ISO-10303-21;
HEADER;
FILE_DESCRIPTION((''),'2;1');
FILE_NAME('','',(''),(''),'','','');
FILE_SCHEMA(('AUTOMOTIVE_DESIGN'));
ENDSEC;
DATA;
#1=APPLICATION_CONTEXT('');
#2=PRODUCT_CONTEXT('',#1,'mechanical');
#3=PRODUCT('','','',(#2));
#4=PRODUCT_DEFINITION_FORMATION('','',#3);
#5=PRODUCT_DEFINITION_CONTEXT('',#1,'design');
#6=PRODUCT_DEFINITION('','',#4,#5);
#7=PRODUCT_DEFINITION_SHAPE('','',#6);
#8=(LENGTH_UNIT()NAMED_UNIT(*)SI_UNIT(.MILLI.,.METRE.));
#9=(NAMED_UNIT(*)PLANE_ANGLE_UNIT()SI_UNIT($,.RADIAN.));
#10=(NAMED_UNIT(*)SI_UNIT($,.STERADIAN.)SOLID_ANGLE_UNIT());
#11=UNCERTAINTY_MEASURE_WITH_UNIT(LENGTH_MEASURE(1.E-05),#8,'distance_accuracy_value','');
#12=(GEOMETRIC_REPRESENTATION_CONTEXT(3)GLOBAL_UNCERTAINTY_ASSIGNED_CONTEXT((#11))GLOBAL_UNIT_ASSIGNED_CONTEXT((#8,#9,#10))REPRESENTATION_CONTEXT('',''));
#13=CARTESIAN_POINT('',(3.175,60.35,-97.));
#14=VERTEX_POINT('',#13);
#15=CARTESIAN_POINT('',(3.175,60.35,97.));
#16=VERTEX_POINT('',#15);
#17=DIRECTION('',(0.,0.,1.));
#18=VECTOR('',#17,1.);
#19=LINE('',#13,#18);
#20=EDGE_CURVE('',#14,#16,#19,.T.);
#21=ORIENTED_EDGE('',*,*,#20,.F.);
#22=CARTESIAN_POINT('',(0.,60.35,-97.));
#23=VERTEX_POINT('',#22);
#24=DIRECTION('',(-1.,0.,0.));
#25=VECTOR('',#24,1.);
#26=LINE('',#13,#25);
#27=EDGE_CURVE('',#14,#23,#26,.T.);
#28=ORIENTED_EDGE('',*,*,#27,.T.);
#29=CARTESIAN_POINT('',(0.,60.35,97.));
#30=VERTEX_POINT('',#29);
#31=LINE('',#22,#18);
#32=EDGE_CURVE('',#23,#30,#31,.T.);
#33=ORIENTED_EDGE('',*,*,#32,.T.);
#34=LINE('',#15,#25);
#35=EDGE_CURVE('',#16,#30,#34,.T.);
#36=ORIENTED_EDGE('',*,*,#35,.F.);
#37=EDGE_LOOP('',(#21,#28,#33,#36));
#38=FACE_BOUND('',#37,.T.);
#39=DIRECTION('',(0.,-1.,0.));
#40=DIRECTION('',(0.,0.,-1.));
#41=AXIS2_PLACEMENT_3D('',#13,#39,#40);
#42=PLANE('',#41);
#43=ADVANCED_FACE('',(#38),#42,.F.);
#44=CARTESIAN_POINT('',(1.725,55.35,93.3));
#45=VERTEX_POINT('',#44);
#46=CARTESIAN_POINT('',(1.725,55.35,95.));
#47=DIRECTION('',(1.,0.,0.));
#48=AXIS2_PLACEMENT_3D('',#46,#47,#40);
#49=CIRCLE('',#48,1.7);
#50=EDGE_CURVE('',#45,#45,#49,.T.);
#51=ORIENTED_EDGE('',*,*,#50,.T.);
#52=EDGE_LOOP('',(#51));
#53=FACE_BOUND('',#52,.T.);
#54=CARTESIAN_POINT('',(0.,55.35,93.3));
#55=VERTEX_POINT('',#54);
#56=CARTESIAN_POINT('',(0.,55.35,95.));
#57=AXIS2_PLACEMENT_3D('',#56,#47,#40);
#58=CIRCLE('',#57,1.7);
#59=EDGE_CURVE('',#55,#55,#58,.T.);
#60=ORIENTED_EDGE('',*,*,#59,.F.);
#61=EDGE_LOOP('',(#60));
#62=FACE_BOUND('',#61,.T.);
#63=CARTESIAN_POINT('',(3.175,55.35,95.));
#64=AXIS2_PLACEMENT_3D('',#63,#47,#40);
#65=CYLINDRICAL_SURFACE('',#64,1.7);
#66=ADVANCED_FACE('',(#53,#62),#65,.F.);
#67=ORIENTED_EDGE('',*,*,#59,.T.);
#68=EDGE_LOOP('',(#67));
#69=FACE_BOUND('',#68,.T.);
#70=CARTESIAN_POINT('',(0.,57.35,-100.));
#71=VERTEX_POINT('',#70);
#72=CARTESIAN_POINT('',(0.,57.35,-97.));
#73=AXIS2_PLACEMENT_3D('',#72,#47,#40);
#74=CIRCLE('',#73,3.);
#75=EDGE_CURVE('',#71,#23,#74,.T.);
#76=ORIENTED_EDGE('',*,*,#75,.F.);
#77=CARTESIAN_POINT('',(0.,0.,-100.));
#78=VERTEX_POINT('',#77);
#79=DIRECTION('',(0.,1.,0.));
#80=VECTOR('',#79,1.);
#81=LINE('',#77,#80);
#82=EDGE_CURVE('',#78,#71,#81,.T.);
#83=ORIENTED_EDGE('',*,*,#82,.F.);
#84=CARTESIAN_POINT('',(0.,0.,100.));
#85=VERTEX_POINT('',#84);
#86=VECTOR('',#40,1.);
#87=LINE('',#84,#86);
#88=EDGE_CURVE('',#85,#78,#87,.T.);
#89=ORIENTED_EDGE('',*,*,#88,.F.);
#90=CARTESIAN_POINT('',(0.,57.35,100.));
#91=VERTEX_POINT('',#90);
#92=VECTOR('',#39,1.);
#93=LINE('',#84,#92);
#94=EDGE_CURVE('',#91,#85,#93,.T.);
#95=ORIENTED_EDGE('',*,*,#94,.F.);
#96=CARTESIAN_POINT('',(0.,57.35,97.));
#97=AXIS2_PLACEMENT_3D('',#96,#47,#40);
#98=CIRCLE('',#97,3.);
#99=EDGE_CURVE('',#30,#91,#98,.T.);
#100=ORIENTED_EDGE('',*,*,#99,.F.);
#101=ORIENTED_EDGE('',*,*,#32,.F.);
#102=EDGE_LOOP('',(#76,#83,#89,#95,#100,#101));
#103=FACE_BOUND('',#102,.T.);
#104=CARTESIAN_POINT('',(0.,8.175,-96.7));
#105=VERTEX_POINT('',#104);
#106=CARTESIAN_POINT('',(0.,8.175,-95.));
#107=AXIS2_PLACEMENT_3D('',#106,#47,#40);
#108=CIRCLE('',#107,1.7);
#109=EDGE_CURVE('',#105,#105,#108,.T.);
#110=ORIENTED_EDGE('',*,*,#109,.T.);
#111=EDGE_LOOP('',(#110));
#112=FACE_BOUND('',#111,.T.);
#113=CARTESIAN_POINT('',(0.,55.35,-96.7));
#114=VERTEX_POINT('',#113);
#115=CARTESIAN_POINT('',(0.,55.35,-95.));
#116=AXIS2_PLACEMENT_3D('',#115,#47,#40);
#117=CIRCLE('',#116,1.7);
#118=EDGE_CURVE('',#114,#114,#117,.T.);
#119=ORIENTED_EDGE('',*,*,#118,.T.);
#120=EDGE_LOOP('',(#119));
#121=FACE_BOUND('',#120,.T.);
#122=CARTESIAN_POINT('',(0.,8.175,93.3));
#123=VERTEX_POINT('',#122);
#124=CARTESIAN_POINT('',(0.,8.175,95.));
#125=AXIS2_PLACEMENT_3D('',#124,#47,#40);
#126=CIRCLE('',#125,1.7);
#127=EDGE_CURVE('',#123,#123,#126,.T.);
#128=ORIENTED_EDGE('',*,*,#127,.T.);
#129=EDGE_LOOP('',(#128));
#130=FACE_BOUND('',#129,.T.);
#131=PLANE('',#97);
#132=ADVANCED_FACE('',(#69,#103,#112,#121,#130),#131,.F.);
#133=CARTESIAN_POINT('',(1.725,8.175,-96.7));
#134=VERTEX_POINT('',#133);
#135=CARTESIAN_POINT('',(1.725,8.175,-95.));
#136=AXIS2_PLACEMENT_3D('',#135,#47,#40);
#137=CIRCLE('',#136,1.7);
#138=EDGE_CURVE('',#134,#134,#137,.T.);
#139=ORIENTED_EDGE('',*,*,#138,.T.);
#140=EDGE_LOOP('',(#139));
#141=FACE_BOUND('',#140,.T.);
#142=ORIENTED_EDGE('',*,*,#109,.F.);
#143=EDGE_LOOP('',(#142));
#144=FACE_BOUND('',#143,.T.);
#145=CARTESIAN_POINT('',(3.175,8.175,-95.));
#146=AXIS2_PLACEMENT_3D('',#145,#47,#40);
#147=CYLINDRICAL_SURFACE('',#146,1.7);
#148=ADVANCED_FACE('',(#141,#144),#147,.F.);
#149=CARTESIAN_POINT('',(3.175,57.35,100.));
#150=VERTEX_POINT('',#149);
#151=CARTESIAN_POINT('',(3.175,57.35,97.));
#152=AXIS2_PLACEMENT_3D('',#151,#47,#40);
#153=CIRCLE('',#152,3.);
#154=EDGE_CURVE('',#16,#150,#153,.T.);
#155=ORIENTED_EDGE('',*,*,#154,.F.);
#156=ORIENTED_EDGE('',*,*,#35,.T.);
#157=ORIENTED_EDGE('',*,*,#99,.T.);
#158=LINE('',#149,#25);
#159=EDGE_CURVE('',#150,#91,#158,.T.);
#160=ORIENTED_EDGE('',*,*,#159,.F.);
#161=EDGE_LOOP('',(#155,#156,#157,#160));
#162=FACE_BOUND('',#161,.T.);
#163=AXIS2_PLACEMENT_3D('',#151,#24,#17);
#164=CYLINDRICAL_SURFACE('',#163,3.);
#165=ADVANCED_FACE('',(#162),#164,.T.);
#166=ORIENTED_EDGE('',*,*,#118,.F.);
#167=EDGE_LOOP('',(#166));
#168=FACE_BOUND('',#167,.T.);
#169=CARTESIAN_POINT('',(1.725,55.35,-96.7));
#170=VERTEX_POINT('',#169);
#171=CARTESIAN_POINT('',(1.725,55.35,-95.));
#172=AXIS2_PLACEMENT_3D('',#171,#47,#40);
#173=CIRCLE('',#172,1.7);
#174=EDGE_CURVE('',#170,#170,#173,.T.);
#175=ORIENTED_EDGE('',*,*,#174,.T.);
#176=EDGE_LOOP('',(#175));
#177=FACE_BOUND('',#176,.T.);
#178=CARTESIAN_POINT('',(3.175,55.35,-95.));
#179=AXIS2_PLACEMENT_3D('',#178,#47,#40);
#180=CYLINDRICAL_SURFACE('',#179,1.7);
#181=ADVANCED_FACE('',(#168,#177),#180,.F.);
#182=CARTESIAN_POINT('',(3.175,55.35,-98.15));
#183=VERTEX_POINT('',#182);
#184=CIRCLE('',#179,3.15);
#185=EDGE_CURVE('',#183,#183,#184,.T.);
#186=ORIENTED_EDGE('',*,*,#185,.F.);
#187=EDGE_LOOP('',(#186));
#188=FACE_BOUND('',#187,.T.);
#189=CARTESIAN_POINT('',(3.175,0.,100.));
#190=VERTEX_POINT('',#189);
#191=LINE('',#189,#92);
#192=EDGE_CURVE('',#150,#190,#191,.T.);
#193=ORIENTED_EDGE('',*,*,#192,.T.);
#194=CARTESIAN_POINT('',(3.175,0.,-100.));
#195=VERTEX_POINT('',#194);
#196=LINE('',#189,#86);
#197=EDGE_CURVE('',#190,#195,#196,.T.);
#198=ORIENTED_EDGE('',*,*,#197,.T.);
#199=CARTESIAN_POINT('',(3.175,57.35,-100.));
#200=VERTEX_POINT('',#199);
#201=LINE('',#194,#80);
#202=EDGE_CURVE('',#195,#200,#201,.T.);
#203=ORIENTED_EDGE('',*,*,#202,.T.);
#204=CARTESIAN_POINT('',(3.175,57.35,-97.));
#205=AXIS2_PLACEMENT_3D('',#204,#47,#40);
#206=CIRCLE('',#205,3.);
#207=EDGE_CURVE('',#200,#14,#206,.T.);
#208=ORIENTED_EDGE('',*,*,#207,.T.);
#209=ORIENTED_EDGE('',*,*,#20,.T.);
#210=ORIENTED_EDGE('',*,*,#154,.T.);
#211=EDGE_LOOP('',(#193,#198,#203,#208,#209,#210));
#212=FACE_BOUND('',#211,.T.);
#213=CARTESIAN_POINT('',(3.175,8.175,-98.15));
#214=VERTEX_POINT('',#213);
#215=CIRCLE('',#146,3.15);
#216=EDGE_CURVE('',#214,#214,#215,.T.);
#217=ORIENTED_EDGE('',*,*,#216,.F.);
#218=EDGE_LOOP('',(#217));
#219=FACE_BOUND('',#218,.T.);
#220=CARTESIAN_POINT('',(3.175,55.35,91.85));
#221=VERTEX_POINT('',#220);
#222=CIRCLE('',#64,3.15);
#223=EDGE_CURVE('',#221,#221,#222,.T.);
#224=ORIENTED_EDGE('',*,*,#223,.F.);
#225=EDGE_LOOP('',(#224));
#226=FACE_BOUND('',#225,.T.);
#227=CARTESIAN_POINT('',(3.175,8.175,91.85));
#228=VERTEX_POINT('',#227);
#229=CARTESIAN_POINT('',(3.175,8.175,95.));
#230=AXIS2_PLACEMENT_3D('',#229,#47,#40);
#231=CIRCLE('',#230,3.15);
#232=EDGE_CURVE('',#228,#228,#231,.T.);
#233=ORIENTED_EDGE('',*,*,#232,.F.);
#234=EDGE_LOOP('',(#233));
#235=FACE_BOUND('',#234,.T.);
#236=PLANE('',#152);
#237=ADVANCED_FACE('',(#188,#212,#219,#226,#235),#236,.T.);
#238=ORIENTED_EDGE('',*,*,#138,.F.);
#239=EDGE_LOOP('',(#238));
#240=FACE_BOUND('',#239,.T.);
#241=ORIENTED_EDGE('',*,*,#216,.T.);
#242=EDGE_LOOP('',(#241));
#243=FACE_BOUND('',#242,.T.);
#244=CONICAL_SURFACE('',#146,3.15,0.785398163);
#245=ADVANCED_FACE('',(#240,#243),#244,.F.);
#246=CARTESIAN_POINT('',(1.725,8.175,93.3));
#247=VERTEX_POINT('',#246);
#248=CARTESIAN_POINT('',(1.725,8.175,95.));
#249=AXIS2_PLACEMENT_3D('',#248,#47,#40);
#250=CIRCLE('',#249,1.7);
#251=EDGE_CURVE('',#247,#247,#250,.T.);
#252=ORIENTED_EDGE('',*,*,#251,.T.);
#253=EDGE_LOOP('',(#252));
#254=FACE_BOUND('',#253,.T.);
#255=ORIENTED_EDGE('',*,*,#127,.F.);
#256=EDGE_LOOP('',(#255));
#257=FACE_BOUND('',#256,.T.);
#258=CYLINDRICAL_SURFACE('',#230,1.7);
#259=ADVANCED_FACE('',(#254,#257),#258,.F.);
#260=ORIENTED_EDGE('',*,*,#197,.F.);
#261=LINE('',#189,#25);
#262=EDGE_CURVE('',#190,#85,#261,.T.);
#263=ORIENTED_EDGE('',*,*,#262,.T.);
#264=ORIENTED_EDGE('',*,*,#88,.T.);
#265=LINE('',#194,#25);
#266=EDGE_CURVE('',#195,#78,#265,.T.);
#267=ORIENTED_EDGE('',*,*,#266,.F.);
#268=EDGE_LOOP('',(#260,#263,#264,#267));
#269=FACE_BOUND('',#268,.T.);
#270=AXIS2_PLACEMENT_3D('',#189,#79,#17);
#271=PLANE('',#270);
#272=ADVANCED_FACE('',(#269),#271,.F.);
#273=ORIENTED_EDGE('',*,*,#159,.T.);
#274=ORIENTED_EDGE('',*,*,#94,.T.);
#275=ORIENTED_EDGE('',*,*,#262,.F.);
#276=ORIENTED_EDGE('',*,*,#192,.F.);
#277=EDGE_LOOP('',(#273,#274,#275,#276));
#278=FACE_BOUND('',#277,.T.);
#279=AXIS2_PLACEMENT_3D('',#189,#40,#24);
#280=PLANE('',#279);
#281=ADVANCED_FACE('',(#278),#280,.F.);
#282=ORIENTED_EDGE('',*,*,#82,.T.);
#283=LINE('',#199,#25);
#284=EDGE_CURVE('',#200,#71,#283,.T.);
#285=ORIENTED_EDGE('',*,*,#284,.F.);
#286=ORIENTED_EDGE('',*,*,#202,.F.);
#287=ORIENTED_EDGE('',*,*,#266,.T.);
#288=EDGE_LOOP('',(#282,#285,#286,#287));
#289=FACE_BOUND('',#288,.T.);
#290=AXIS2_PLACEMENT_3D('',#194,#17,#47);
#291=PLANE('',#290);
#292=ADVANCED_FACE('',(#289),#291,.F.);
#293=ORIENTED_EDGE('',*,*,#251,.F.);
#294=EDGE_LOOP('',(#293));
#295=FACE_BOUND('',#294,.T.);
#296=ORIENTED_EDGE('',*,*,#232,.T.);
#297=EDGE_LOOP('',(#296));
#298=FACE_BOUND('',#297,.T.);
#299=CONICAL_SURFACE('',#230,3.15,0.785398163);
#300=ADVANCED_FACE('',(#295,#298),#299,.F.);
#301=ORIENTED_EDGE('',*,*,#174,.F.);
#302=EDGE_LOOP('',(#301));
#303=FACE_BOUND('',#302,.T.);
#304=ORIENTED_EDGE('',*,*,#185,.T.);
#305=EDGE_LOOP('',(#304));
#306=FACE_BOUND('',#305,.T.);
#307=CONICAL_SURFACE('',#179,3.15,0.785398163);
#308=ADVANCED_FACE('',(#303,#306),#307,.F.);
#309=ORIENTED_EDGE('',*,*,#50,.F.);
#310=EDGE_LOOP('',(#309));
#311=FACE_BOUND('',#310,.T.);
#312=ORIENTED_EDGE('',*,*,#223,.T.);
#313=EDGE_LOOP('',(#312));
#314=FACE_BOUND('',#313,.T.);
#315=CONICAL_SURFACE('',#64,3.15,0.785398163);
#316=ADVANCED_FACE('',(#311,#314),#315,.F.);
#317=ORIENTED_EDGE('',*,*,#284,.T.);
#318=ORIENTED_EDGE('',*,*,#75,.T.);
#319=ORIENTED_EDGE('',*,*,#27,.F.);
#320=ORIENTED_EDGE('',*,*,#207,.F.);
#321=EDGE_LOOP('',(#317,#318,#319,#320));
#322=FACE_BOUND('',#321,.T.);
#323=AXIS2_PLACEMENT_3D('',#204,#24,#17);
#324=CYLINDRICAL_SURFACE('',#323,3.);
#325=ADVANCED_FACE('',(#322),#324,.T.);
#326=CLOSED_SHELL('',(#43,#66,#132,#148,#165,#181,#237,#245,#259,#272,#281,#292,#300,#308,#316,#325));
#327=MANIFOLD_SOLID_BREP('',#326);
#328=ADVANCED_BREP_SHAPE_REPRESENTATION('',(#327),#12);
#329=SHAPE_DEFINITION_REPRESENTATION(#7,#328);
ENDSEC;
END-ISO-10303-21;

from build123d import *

# Parameters (mm, degrees)
BOSS_EXTRUDE1_DEPTH                             = 3.175
CSK_FOR_M3_FLAT_HEAD_MACHINE_SCREW1_D           = 3.4
CSK_FOR_M3_FLAT_HEAD_MACHINE_SCREW1_CSINK_D     = 6.3
CSK_FOR_M3_FLAT_HEAD_MACHINE_SCREW1_CSINK_ANGLE = 90


with BuildPart() as part:
    # Sketch1 → Boss-Extrude1 (new body)
    with BuildSketch(Plane(origin=(0, 0, 0), x_dir=(0, 0, -1), z_dir=(1, 0, 0))):
        with BuildLine():
            Line((-100, 0), (100, 0))
            Line((100, 0), (100, 57.35))
            ThreePointArc((100, 57.35), (99.121320344, 59.471320344), (97, 60.35))
            Line((97, 60.35), (-97, 60.35))
            ThreePointArc((-97, 60.35), (-99.121320344, 59.471320344), (-100, 57.35))
            Line((-100, 57.35), (-100, 0))
        make_face()
    extrude(amount=BOSS_EXTRUDE1_DEPTH)

    # CSK for M3 Flat Head Machine Screw1 (through all)
    with Locations(Plane(origin=(3.175, 0, 0), x_dir=(0, 0, -1), z_dir=(1, 0, 0))):
        with Locations((-95, 8.175), (-95, 55.35)):
            csk_for_m3_flat_head_machine_screw1 = CounterSinkHole(CSK_FOR_M3_FLAT_HEAD_MACHINE_SCREW1_D / 2, CSK_FOR_M3_FLAT_HEAD_MACHINE_SCREW1_CSINK_D / 2, counter_sink_angle=CSK_FOR_M3_FLAT_HEAD_MACHINE_SCREW1_CSINK_ANGLE)

    # Mirror1: CSK for M3 Flat Head Machine Screw1 across plane
    add(csk_for_m3_flat_head_machine_screw1.mirror(Plane.XY), mode=Mode.SUBTRACT)


solid = part.part
